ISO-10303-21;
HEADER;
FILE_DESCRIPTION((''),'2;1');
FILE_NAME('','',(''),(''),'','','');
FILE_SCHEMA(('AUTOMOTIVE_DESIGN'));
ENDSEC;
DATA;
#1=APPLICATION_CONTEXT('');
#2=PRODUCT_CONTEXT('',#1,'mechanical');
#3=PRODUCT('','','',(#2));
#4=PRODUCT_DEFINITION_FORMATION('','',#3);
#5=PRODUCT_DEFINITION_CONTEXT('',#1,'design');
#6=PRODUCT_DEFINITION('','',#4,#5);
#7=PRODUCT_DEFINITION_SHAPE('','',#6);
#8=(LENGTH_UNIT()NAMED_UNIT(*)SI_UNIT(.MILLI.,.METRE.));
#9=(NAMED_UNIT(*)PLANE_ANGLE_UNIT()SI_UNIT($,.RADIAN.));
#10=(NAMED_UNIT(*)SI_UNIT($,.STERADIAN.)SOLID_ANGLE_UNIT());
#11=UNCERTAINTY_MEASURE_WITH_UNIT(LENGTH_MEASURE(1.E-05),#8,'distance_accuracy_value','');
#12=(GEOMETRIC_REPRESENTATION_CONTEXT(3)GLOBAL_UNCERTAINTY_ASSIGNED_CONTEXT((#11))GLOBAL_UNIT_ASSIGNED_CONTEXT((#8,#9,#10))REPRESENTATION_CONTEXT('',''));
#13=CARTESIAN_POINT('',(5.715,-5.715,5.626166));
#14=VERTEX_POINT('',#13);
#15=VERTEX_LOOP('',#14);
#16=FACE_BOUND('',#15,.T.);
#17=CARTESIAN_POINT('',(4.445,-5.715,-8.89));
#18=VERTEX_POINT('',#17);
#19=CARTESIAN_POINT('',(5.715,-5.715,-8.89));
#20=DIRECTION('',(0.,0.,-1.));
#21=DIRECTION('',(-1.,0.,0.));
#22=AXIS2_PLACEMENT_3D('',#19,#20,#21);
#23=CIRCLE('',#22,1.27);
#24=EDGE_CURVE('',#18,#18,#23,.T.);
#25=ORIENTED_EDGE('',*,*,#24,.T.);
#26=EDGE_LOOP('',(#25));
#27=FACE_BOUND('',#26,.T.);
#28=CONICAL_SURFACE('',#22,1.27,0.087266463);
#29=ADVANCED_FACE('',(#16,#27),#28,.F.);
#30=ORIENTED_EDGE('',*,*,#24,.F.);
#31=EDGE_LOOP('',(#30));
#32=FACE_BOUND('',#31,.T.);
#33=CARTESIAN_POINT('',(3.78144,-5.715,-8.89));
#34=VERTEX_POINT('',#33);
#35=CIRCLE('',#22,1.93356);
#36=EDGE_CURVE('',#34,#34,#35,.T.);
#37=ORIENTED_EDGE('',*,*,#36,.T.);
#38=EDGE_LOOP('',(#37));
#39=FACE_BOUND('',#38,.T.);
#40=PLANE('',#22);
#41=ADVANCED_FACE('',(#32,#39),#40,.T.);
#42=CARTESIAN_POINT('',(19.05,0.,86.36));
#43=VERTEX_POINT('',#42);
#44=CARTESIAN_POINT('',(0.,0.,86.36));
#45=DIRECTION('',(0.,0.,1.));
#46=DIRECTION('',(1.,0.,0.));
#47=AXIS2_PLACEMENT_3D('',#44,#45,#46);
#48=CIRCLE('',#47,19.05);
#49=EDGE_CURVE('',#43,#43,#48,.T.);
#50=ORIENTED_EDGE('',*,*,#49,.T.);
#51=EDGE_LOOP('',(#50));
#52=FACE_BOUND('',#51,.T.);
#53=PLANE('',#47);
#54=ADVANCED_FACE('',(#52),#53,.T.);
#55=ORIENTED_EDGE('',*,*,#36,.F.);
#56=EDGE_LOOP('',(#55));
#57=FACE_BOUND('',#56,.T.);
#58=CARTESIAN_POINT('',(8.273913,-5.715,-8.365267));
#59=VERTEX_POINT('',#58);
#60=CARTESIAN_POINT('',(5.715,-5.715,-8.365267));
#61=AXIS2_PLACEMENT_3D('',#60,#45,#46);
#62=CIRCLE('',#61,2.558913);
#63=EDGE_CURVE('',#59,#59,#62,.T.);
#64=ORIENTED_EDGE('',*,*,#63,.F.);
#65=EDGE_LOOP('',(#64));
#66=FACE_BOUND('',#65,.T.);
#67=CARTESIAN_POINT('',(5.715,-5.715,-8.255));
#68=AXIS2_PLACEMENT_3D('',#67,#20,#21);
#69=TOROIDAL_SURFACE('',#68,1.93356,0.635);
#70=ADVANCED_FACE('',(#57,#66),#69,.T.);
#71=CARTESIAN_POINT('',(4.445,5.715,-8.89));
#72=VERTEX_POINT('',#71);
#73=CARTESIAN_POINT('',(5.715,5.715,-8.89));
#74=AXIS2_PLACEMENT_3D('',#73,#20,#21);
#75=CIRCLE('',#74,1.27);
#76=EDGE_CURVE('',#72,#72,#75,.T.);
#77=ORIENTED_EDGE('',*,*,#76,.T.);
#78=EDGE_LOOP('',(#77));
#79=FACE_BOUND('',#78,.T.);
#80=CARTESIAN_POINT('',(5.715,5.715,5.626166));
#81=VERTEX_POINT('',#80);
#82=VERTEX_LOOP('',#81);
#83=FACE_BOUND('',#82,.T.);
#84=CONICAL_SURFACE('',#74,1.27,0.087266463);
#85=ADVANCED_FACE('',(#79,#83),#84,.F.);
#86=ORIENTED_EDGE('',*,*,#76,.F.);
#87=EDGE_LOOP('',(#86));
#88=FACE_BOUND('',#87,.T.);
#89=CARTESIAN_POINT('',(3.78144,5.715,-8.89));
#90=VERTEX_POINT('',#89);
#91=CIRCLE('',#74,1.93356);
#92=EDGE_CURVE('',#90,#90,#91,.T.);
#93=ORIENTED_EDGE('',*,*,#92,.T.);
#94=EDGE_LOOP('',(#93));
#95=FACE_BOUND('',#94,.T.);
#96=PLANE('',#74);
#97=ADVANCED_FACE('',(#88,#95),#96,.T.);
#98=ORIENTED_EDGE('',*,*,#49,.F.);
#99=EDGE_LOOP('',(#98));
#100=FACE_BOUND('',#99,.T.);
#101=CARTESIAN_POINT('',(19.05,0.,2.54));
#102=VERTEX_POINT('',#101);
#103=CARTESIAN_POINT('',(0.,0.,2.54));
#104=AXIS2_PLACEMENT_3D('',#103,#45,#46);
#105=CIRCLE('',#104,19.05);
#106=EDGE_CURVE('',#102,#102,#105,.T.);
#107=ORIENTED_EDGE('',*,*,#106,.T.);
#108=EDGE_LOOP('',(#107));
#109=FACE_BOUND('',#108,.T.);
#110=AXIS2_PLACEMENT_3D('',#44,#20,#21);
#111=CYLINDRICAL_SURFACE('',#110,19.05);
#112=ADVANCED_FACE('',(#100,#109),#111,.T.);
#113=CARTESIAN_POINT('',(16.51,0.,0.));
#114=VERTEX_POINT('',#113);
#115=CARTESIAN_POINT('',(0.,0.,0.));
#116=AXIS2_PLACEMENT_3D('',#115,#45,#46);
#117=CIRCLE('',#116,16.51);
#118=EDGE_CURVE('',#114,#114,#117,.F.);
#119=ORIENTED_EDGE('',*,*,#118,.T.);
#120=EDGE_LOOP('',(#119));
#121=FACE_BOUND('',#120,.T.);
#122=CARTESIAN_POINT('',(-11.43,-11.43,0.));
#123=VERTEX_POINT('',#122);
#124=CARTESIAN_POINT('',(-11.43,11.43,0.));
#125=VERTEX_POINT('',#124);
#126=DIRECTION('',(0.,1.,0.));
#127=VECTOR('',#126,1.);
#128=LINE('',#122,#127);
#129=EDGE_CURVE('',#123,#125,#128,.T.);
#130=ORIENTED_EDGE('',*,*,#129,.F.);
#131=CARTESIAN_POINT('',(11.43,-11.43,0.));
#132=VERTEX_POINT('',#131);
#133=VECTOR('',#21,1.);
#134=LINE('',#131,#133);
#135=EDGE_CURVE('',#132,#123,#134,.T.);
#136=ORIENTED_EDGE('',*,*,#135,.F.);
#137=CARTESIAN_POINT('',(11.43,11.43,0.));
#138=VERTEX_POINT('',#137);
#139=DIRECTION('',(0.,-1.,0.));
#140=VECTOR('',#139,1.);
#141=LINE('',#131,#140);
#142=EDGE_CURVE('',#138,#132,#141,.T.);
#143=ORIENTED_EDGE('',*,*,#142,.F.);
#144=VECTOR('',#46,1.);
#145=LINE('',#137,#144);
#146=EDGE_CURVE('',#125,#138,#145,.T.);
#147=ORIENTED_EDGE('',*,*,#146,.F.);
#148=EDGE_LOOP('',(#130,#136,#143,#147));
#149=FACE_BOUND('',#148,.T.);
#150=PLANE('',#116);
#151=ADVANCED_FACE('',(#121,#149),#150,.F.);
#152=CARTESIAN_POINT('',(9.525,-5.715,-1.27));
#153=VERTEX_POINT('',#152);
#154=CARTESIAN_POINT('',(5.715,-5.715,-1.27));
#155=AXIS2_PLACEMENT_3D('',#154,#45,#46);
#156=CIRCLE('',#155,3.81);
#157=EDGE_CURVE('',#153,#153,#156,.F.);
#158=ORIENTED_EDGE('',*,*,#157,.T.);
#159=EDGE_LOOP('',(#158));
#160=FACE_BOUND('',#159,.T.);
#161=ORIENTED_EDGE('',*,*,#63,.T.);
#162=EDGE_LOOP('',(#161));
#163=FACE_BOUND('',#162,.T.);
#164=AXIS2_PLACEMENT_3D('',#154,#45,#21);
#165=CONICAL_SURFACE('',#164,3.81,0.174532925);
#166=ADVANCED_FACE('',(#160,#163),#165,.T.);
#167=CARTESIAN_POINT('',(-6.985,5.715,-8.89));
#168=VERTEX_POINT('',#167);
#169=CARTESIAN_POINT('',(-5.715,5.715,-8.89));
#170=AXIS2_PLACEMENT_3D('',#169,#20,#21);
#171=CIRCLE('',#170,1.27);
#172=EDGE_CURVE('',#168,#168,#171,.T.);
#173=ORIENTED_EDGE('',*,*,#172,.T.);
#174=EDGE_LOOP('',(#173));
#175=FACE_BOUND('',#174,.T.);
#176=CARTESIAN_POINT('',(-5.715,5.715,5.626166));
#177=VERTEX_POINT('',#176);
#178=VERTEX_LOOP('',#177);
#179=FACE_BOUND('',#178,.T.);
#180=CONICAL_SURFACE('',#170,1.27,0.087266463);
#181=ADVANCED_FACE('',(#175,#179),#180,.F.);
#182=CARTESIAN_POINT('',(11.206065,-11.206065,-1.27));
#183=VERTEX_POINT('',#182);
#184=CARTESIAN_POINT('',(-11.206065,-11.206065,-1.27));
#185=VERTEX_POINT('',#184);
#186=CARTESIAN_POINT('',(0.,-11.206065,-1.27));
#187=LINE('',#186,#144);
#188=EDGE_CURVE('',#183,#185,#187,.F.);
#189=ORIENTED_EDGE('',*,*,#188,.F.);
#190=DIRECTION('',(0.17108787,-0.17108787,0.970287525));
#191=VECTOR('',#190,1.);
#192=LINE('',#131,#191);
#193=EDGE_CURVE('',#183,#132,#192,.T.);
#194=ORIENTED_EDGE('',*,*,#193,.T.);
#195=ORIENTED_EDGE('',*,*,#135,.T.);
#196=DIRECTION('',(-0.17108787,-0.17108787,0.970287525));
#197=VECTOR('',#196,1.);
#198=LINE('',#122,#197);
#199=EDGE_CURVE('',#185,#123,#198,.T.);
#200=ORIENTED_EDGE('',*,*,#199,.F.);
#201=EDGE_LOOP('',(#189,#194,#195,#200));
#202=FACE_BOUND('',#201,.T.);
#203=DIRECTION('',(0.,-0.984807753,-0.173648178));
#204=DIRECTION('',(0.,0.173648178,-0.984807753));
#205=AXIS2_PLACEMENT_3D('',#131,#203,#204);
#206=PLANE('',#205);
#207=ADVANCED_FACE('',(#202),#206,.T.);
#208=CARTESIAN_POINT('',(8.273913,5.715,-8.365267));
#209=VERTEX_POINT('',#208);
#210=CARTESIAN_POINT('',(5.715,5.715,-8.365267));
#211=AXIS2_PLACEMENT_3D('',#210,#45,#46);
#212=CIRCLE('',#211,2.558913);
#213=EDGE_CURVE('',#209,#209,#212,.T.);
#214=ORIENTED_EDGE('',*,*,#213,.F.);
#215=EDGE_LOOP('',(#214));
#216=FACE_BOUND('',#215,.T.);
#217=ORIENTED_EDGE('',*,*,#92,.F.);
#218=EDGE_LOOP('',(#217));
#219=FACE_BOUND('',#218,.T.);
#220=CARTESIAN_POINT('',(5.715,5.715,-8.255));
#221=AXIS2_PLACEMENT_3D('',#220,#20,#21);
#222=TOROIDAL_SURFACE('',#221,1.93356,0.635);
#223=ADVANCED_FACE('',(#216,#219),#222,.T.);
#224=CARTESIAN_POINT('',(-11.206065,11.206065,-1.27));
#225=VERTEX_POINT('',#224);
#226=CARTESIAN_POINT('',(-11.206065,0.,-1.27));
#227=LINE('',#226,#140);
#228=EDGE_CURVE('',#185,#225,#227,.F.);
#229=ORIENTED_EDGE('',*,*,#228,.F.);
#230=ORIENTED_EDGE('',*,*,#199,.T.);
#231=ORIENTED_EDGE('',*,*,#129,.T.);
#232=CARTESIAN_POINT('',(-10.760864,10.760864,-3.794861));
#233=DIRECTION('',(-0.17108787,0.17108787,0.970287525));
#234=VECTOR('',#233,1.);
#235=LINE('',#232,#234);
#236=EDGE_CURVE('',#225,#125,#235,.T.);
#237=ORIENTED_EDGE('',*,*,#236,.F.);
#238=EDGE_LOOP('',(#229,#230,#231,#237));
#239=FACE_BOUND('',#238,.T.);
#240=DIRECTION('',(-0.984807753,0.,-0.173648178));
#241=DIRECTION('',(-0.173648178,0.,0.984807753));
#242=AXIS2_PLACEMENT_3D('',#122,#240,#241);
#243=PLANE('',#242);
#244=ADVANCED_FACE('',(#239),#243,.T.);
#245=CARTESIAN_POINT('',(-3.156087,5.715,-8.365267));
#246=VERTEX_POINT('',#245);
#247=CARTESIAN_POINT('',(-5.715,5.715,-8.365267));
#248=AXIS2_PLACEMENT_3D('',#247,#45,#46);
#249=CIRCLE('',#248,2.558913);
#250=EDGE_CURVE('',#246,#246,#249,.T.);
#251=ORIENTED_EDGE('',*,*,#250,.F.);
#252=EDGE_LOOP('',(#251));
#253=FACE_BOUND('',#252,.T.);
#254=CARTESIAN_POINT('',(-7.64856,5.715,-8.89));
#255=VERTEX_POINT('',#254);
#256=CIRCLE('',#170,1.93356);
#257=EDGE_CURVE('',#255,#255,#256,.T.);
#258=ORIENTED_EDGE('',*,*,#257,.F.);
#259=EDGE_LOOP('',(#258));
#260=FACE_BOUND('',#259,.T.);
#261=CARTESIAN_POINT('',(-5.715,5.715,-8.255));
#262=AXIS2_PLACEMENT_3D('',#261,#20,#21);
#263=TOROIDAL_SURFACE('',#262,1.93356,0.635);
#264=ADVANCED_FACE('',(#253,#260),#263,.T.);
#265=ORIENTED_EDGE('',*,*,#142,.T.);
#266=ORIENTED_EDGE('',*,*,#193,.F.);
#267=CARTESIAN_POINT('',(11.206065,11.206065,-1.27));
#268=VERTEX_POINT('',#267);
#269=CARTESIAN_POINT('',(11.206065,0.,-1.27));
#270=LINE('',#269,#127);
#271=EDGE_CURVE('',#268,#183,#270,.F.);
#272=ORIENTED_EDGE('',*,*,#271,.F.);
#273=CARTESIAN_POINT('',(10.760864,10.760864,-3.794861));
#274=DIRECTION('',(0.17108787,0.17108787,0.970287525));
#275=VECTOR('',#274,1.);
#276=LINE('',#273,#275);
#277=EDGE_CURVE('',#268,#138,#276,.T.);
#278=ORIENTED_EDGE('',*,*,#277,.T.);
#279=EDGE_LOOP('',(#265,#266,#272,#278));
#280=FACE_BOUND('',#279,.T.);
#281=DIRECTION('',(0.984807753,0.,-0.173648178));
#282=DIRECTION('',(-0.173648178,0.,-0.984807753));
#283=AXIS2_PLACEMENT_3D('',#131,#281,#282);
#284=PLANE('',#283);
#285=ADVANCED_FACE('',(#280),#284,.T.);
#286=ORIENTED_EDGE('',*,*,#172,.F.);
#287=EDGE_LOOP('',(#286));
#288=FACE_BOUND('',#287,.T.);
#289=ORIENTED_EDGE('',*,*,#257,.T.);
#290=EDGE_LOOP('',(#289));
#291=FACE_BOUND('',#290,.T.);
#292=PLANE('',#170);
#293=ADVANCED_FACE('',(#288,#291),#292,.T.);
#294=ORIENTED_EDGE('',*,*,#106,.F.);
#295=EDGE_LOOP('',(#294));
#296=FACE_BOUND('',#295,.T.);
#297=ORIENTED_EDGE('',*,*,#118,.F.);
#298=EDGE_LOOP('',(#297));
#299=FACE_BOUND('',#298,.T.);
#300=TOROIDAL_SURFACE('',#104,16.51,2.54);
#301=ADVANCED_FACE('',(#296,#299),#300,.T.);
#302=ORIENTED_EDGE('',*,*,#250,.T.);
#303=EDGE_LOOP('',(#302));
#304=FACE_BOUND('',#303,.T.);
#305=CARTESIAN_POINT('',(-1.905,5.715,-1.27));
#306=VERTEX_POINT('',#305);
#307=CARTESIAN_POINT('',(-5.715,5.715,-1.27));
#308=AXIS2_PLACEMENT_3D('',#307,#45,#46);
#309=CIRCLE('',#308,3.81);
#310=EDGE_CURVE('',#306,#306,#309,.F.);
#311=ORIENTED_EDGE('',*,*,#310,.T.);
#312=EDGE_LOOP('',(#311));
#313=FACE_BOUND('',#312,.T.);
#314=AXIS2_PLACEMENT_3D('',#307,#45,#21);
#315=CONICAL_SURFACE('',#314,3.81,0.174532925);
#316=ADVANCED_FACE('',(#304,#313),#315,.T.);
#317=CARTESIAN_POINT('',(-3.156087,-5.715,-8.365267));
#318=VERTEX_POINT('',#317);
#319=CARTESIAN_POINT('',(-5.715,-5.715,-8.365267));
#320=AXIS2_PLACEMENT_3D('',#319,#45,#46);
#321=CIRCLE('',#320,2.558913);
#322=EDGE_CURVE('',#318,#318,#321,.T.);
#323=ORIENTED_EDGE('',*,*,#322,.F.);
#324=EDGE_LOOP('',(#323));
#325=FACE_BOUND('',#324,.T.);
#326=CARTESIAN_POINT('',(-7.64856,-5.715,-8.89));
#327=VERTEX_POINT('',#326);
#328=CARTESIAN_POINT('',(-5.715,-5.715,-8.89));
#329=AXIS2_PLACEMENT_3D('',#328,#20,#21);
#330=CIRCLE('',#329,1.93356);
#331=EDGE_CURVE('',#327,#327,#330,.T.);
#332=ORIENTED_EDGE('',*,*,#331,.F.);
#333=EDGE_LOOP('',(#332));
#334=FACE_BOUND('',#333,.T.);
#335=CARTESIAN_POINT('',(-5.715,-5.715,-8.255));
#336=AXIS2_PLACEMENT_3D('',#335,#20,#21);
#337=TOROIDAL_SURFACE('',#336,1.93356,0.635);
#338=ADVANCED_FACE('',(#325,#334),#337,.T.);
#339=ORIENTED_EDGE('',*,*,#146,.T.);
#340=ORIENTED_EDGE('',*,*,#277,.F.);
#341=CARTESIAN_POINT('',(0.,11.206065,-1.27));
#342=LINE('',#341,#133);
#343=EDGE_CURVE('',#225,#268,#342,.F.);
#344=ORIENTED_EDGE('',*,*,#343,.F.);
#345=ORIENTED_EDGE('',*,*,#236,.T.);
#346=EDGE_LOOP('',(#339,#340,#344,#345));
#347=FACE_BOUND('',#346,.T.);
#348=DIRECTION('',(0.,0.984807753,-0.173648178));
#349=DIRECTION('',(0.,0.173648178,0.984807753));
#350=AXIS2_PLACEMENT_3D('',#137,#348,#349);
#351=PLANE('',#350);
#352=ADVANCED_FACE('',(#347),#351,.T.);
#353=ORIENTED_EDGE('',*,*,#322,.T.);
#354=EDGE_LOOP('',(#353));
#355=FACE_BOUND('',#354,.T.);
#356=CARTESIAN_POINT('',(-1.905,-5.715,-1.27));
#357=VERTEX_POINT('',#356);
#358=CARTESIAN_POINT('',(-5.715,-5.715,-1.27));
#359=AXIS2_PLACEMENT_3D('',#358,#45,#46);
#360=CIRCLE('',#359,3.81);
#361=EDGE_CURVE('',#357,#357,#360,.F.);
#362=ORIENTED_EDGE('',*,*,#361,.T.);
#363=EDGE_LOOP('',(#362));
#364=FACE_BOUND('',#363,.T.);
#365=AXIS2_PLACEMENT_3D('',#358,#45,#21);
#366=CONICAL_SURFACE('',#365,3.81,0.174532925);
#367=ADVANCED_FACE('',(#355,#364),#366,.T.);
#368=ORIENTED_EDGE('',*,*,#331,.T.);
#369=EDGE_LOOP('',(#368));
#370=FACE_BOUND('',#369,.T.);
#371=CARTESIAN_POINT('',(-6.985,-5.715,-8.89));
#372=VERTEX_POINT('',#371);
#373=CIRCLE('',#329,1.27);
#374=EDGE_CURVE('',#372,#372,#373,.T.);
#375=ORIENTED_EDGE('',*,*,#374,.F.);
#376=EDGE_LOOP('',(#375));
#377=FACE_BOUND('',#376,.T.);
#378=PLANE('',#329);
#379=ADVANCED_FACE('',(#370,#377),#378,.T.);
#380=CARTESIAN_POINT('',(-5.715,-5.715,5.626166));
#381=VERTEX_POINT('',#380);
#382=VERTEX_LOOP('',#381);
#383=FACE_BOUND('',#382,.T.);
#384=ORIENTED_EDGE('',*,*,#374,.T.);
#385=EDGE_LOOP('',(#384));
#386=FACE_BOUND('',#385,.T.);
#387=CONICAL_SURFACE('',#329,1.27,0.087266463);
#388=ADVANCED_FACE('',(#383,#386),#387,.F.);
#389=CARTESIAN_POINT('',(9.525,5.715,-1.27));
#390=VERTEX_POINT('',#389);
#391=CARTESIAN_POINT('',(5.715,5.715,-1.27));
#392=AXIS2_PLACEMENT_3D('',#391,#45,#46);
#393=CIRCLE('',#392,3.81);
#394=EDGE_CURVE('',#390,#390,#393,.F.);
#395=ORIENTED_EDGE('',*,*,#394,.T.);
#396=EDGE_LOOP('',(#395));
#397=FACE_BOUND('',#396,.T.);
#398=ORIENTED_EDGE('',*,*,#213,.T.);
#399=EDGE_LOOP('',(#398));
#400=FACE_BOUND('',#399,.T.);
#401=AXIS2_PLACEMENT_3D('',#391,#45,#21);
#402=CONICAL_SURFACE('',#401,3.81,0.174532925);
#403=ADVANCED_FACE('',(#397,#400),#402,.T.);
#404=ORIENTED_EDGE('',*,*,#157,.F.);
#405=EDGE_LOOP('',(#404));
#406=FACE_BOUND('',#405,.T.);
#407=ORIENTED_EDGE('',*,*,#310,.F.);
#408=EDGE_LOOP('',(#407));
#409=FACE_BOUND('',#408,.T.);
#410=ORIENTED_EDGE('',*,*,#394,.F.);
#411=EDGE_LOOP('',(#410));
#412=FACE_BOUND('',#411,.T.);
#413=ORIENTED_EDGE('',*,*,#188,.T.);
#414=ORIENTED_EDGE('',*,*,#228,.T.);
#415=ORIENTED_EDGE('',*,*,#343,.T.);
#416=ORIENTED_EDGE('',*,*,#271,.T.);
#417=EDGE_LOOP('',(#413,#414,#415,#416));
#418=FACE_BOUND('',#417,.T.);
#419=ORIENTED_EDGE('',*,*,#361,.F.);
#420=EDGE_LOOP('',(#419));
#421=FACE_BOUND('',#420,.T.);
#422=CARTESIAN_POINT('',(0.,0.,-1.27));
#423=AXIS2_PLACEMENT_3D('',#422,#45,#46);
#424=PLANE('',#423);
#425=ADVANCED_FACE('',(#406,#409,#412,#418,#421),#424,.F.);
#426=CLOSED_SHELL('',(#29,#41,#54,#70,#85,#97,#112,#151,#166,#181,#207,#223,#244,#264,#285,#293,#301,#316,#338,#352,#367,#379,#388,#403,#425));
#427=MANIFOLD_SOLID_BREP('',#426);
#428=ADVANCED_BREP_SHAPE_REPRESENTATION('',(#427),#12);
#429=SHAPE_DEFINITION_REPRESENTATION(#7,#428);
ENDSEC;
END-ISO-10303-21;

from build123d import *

# Parameters (mm, degrees)
SKETCH1_R                     = 19.05
BOSS_EXTRUDE1_DEPTH           = 86.36
SKETCH2_W                     = 22.86
SKETCH2_H                     = 22.86
BOSS_EXTRUDE2_DEPTH           = 1.27
BOSS_EXTRUDE2_TAPER           = 10
FILLET1_R                     = 2.54
SKETCH3_R                     = 3.81
BOSS_EXTRUDE3_DEPTH           = 7.62
BOSS_EXTRUDE3_DRAFT           = 10
BOSS_EXTRUDE3_PROFILE_2_DEPTH = 7.62
BOSS_EXTRUDE3_PROFILE_2_DRAFT = 10
BOSS_EXTRUDE3_PROFILE_3_DEPTH = 7.62
BOSS_EXTRUDE3_PROFILE_3_DRAFT = 10
BOSS_EXTRUDE3_PROFILE_4_DEPTH = 7.62
BOSS_EXTRUDE3_PROFILE_4_DRAFT = 10
FILLET2_R                     = 0.635


with BuildPart() as part:
    # Sketch1 → Boss-Extrude1 (new body)
    with BuildSketch(Plane.XY):
        Circle(SKETCH1_R)
    extrude(amount=BOSS_EXTRUDE1_DEPTH)

    # Sketch2 → Boss-Extrude2 (add)
    with BuildSketch(Plane(origin=(0, 0, 0), x_dir=(-1, 0, 0), z_dir=(0, 0, -1))):
        Rectangle(SKETCH2_W, SKETCH2_H)
    extrude(amount=BOSS_EXTRUDE2_DEPTH, taper=BOSS_EXTRUDE2_TAPER)

    # Fillet1
    fillet1_edges = [part.edges().sort_by_distance(p)[0] for p in [
        (-19.05, 0, 0),
    ]]
    fillet(fillet1_edges, radius=FILLET1_R)


with BuildPart() as boss_extrude3_tool:
    # Sketch3 → Boss-Extrude3 (with draft: the straight prism first)
    with BuildSketch(Plane(origin=(0, 0, -1.27), x_dir=(-1, 0, 0), z_dir=(0, 0, -1))):
        with Locations((-5.715, 5.715)):
            Circle(SKETCH3_R)
    extrude(amount=BOSS_EXTRUDE3_DEPTH)
    # Boss-Extrude3: the draft: its side faces are tilted about the plane it starts from
    boss_extrude3_sides = [boss_extrude3_tool.faces().sort_by_distance(p)[0] for p in [
        (9.525, 5.715, -5.08),
    ]]
    draft(boss_extrude3_sides, Plane(origin=(0, 0, -1.27), x_dir=(-1, 0, 0), z_dir=(0, 0, -1)), BOSS_EXTRUDE3_DRAFT)


with BuildPart() as part_1:
    add(part.part)

    # Boss-Extrude3: add boss_extrude3_tool
    add(boss_extrude3_tool.part)


with BuildPart() as boss_extrude3_profile_2_tool:
    # Sketch3 → Boss-Extrude3 profile 2 (with draft: the straight prism first)
    with BuildSketch(Plane(origin=(0, 0, -1.27), x_dir=(-1, 0, 0), z_dir=(0, 0, -1))):
        with Locations((5.715, 5.715)):
            Circle(SKETCH3_R)
    extrude(amount=BOSS_EXTRUDE3_PROFILE_2_DEPTH)
    # Boss-Extrude3 profile 2: the draft: its side faces are tilted about the plane it starts from
    boss_extrude3_profile_2_sides = [boss_extrude3_profile_2_tool.faces().sort_by_distance(p)[0] for p in [
        (-1.905, 5.715, -5.08),
    ]]
    draft(boss_extrude3_profile_2_sides, Plane(origin=(0, 0, -1.27), x_dir=(-1, 0, 0), z_dir=(0, 0, -1)), BOSS_EXTRUDE3_PROFILE_2_DRAFT)


with BuildPart() as part_2:
    add(part_1.part)

    # Boss-Extrude3 profile 2: add boss_extrude3_profile_2_tool
    add(boss_extrude3_profile_2_tool.part)


with BuildPart() as boss_extrude3_profile_3_tool:
    # Sketch3 → Boss-Extrude3 profile 3 (with draft: the straight prism first)
    with BuildSketch(Plane(origin=(0, 0, -1.27), x_dir=(-1, 0, 0), z_dir=(0, 0, -1))):
        with Locations((-5.715, -5.715)):
            Circle(SKETCH3_R)
    extrude(amount=BOSS_EXTRUDE3_PROFILE_3_DEPTH)
    # Boss-Extrude3 profile 3: the draft: its side faces are tilted about the plane it starts from
    boss_extrude3_profile_3_sides = [boss_extrude3_profile_3_tool.faces().sort_by_distance(p)[0] for p in [
        (9.525, -5.715, -5.08),
    ]]
    draft(boss_extrude3_profile_3_sides, Plane(origin=(0, 0, -1.27), x_dir=(-1, 0, 0), z_dir=(0, 0, -1)), BOSS_EXTRUDE3_PROFILE_3_DRAFT)


with BuildPart() as part_3:
    add(part_2.part)

    # Boss-Extrude3 profile 3: add boss_extrude3_profile_3_tool
    add(boss_extrude3_profile_3_tool.part)


with BuildPart() as boss_extrude3_profile_4_tool:
    # Sketch3 → Boss-Extrude3 profile 4 (with draft: the straight prism first)
    with BuildSketch(Plane(origin=(0, 0, -1.27), x_dir=(-1, 0, 0), z_dir=(0, 0, -1))):
        with Locations((5.715, -5.715)):
            Circle(SKETCH3_R)
    extrude(amount=BOSS_EXTRUDE3_PROFILE_4_DEPTH)
    # Boss-Extrude3 profile 4: the draft: its side faces are tilted about the plane it starts from
    boss_extrude3_profile_4_sides = [boss_extrude3_profile_4_tool.faces().sort_by_distance(p)[0] for p in [
        (-1.905, -5.715, -5.08),
    ]]
    draft(boss_extrude3_profile_4_sides, Plane(origin=(0, 0, -1.27), x_dir=(-1, 0, 0), z_dir=(0, 0, -1)), BOSS_EXTRUDE3_PROFILE_4_DRAFT)


with BuildPart() as part_4:
    add(part_3.part)

    # Boss-Extrude3 profile 4: add boss_extrude3_profile_4_tool
    add(boss_extrude3_profile_4_tool.part)

    # Fillet2
    fillet2_edges = [part_4.edges().sort_by_distance(p)[0] for p in [
        (8.181388407, 5.715, -8.89),
        (-3.248611593, 5.715, -8.89),
        (8.181388407, -5.715, -8.89),
        (-3.248611593, -5.715, -8.89),
    ]]
    fillet(fillet2_edges, radius=FILLET2_R)

    # Cut-Extrude1 cone 1 section (through the dimple's axis) → Cut-Extrude1 (revolve, cut)
    with BuildSketch(Plane(origin=(5.715, 5.715, -8.89), x_dir=(0, 1, 0), z_dir=(1, 0, 0))):
        Polygon((0, 0), (1.27, 0), (0, 14.516166425), align=None)
    revolve(axis=Axis((5.715, 5.715, -8.89), (0, 0, 1)), mode=Mode.SUBTRACT)

    # Cut-Extrude1 cone 2 section (through the dimple's axis) → Cut-Extrude1 cone 2 (revolve, cut)
    with BuildSketch(Plane(origin=(-5.715, 5.715, -8.89), x_dir=(0, 1, 0), z_dir=(1, 0, 0))):
        Polygon((0, 0), (1.27, 0), (0, 14.516166425), align=None)
    revolve(axis=Axis((-5.715, 5.715, -8.89), (0, 0, 1)), mode=Mode.SUBTRACT)

    # Cut-Extrude1 cone 3 section (through the dimple's axis) → Cut-Extrude1 cone 3 (revolve, cut)
    with BuildSketch(Plane(origin=(-5.715, -5.715, -8.89), x_dir=(0, 1, 0), z_dir=(1, 0, 0))):
        Polygon((0, 0), (1.27, 0), (0, 14.516166425), align=None)
    revolve(axis=Axis((-5.715, -5.715, -8.89), (0, 0, 1)), mode=Mode.SUBTRACT)

    # Cut-Extrude1 cone 4 section (through the dimple's axis) → Cut-Extrude1 cone 4 (revolve, cut)
    with BuildSketch(Plane(origin=(5.715, -5.715, -8.89), x_dir=(0, 1, 0), z_dir=(1, 0, 0))):
        Polygon((0, 0), (1.27, 0), (0, 14.516166425), align=None)
    revolve(axis=Axis((5.715, -5.715, -8.89), (0, 0, 1)), mode=Mode.SUBTRACT)


solid = part_4.part
